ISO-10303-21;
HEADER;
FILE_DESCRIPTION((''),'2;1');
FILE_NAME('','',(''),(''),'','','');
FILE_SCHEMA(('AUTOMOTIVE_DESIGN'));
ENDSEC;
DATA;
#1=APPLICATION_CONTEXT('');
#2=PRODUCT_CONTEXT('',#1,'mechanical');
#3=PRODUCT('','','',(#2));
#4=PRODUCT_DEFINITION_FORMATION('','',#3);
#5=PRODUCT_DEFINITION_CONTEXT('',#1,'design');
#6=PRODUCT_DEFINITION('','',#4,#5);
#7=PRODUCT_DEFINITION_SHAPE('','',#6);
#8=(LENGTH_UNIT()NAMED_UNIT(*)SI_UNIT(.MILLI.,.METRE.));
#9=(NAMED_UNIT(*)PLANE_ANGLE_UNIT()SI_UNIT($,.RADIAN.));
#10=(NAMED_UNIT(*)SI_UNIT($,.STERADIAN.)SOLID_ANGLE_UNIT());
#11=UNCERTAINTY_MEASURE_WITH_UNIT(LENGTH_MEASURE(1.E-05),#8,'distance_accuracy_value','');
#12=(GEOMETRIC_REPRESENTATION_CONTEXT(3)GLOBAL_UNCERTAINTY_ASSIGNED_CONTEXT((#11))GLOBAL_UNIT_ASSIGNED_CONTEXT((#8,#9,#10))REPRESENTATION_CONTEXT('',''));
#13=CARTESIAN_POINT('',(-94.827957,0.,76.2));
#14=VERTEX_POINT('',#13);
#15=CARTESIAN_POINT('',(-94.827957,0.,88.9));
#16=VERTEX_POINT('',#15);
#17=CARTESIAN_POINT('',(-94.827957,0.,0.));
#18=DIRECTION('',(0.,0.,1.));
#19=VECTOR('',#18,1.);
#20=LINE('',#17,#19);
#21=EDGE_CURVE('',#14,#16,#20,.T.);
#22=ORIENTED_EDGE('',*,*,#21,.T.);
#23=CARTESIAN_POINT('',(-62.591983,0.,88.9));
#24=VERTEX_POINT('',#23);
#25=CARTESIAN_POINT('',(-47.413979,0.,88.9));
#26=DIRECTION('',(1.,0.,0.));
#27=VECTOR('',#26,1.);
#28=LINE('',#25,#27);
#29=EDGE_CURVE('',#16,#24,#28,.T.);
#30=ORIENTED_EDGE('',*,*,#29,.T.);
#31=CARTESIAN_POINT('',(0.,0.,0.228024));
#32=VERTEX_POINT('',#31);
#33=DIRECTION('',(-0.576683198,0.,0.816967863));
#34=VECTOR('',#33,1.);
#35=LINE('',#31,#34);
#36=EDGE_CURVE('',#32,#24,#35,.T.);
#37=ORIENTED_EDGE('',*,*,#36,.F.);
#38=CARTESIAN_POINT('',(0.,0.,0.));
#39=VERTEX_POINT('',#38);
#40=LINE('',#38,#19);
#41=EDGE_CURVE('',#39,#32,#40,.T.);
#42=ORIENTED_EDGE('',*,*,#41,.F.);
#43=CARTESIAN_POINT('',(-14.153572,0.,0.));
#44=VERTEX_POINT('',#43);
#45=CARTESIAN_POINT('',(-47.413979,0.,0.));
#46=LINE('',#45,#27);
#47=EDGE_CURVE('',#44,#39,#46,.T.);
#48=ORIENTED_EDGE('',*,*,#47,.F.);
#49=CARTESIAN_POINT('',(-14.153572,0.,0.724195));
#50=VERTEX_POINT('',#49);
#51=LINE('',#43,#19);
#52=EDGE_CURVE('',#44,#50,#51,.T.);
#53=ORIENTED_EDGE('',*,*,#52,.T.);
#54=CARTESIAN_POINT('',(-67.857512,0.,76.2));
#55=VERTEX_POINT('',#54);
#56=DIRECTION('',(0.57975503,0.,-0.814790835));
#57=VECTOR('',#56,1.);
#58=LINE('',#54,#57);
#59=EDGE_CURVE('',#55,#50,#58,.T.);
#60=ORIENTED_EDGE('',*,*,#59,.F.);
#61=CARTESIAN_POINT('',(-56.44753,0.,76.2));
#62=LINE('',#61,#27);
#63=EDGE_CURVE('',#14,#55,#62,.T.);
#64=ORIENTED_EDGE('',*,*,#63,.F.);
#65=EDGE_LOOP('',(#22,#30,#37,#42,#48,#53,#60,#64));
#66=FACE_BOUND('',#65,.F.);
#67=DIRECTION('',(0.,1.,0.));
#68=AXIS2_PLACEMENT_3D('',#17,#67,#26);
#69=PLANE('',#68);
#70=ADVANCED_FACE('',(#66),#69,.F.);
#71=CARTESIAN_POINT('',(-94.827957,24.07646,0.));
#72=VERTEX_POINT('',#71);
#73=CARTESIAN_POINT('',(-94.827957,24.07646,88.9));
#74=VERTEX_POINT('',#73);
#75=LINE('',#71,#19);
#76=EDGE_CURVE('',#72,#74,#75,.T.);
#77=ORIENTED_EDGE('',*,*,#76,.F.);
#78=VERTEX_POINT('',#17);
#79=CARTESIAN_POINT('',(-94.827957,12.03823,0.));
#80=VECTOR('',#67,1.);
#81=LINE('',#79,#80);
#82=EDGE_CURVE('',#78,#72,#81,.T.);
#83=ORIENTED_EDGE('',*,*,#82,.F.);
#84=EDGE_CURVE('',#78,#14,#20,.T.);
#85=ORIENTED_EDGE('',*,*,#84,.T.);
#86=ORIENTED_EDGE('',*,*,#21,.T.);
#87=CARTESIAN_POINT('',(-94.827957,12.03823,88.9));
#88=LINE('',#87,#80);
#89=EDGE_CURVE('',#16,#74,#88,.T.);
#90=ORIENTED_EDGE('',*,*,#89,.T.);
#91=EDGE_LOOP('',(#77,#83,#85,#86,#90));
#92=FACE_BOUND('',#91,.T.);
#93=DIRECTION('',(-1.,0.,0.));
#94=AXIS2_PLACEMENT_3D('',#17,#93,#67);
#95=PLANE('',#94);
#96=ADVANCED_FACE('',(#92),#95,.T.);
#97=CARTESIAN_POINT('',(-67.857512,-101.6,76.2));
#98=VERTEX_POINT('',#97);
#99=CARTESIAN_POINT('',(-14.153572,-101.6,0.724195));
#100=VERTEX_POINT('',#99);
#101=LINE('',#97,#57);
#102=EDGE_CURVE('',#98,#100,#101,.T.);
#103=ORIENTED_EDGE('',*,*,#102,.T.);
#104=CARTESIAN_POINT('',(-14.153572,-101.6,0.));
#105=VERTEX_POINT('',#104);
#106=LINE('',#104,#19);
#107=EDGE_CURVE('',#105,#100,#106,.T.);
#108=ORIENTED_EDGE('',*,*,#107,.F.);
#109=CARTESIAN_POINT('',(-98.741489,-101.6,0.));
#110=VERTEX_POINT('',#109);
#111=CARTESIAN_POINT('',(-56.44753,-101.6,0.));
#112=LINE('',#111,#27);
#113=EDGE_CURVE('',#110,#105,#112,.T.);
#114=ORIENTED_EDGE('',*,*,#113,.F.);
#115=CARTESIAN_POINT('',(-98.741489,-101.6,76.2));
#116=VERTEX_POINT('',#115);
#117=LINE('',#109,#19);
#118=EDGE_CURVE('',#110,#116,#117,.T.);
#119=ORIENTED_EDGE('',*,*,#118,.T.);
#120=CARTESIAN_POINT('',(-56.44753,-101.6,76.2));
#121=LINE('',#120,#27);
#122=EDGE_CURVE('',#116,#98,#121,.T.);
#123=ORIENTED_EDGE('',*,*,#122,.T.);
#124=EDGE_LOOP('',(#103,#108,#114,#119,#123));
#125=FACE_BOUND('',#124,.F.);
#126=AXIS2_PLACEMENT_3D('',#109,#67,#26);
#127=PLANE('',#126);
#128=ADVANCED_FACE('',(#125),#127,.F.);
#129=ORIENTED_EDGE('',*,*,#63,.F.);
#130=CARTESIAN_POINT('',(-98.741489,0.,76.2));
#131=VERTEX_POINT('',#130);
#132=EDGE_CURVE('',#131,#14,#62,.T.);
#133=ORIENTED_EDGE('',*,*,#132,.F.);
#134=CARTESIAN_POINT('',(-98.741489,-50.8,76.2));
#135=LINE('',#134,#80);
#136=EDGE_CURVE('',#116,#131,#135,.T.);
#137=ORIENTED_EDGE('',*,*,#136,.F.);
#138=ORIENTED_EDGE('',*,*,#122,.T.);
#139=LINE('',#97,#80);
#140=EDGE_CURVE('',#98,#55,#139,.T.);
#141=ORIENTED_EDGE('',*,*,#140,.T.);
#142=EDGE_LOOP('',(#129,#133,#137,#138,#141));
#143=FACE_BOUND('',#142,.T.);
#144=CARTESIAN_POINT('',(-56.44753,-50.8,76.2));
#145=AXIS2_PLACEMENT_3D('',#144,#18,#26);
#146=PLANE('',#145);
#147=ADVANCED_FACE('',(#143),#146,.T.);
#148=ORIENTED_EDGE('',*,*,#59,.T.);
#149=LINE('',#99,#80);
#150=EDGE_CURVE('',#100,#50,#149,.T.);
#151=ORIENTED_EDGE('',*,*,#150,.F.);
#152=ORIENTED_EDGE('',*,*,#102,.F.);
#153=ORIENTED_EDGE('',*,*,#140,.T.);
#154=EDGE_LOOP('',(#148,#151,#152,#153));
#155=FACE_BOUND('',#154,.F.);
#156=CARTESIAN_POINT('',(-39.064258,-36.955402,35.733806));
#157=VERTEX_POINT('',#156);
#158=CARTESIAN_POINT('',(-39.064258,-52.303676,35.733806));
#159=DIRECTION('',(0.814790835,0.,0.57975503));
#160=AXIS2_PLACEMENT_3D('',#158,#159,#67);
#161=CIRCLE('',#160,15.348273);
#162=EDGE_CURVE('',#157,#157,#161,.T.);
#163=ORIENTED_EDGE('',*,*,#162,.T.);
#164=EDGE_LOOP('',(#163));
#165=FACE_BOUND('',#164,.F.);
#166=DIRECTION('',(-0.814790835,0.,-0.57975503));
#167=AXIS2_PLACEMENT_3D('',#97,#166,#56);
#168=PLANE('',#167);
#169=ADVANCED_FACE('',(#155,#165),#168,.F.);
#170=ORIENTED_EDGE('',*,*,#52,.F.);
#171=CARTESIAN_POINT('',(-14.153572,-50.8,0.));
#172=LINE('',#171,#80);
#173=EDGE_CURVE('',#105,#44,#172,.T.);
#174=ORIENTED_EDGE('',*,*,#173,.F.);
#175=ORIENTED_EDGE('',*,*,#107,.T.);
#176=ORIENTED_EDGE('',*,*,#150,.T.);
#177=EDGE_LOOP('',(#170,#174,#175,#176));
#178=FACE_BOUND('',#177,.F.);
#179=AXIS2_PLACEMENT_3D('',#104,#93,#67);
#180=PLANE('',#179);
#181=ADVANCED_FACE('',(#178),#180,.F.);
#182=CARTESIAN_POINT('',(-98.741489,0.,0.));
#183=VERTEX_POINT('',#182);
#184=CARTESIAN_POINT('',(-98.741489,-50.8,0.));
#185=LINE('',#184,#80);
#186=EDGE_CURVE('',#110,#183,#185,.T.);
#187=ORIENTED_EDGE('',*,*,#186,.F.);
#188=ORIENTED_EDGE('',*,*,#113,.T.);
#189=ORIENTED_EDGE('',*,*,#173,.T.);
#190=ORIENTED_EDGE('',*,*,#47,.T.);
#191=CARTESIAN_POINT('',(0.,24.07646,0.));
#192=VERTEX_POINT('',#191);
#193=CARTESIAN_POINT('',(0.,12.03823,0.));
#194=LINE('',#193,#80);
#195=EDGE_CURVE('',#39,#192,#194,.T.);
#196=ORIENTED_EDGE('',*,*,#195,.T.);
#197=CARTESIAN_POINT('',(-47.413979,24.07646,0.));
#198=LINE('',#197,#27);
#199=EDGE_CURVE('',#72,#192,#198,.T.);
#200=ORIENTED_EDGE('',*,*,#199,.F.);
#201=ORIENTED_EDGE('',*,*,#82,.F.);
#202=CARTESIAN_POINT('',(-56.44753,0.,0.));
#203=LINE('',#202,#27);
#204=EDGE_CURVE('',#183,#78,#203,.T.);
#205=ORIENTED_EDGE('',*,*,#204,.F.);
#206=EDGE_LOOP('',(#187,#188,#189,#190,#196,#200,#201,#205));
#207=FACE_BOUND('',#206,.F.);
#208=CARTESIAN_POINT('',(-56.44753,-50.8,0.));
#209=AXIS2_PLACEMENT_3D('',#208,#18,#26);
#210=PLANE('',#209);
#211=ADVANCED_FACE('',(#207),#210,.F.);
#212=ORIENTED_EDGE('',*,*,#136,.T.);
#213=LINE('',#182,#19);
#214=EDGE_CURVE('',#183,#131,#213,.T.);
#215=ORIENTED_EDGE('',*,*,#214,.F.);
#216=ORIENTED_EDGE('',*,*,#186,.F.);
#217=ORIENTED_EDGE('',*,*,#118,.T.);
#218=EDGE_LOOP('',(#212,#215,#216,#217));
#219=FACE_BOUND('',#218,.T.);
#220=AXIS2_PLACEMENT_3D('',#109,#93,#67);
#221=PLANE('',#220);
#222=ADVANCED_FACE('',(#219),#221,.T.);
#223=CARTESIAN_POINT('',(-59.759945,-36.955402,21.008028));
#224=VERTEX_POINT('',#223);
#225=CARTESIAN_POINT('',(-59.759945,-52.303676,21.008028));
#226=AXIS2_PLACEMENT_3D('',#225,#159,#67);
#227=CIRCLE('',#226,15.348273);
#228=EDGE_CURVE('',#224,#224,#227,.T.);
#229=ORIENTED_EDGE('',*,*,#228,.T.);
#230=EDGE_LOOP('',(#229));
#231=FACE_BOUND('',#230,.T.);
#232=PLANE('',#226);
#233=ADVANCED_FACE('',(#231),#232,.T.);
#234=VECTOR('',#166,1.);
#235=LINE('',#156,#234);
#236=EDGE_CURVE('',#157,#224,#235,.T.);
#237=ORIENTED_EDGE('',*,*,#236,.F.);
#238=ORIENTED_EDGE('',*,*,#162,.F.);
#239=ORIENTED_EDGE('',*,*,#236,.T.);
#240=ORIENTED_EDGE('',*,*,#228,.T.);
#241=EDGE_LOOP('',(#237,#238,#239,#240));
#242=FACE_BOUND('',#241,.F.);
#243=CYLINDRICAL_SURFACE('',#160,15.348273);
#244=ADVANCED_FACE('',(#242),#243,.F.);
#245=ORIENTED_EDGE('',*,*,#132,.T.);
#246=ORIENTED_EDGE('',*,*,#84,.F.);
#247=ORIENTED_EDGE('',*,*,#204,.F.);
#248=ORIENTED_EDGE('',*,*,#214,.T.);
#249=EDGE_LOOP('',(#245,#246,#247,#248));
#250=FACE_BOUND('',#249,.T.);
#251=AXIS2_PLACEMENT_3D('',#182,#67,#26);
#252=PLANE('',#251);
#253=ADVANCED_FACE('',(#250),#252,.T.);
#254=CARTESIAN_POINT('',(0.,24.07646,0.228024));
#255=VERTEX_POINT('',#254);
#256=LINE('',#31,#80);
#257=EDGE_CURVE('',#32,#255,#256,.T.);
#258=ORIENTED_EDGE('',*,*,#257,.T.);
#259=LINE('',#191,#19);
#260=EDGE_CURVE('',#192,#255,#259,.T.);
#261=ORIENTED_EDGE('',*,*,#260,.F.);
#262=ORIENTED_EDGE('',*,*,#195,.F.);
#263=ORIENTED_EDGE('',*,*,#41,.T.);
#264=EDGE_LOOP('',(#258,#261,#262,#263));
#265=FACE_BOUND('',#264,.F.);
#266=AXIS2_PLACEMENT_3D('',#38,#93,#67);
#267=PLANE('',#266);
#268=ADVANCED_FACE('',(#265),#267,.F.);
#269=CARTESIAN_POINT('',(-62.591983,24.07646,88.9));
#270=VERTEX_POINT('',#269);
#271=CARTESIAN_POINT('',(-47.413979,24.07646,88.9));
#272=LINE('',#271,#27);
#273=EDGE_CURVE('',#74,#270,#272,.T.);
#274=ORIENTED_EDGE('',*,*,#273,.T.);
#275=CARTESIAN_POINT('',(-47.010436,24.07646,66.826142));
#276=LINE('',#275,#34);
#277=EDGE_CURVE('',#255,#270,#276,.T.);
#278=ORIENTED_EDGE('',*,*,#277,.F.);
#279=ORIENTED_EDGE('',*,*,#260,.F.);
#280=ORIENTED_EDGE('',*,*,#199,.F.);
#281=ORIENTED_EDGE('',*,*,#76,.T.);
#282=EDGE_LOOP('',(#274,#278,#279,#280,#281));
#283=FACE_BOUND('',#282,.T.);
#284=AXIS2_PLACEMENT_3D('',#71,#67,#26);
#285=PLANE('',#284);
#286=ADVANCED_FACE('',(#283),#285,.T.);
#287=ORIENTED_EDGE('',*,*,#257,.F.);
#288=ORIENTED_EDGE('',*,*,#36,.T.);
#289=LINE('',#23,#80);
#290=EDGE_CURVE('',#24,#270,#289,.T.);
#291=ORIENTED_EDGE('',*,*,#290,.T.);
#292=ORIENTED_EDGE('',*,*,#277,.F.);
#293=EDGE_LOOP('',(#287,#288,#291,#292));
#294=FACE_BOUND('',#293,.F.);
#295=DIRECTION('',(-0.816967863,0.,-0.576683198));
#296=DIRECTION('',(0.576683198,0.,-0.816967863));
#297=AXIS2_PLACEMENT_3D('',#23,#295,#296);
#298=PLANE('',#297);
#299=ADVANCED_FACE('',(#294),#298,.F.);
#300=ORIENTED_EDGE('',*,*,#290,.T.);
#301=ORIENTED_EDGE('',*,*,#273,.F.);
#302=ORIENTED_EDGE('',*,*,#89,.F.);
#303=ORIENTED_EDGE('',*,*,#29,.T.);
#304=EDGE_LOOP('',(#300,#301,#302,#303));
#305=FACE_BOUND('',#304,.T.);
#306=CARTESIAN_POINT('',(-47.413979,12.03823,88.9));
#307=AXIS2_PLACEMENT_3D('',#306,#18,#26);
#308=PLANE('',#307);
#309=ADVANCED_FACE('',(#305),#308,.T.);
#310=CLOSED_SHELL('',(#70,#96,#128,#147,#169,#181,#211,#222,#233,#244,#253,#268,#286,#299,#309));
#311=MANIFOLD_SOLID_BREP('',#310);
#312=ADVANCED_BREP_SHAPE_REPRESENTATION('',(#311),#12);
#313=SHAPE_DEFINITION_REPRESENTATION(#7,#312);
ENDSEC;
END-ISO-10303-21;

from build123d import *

# Parameters (mm, degrees)
F0_W     = 94.8279574513
F0_H     = 24.0764599293
F1_DEPTH = 88.9
F3_DEPTH = 49.022
F4_W     = 84.5879163432
F4_H     = 101.6
F5_DEPTH = 76.2
F7_DEPTH = 101.6
F8_R     = 15.3482733218
F9_DEPTH = 25.4


with BuildPart() as f1:
    # F0 (on Top) → F1 (new body)
    with BuildSketch(Plane.XY):
        with Locations((-47.4139787257, 12.0382299647)):
            Rectangle(F0_W, F0_H)
    extrude(amount=F1_DEPTH)

    # F2 (on face) → F3 (cut)
    with BuildSketch(Plane.XZ):
        Polygon((0, 88.9), (-62.5919832129, 88.9), (0, 0.2280238973), align=None)
    extrude(amount=-F3_DEPTH, mode=Mode.SUBTRACT)

    # F4 (on Top) → F5 (join)
    with BuildSketch(Plane.XY):
        with Locations((-56.447530406, -50.8)):
            Rectangle(F4_W, F4_H)
    extrude(amount=F5_DEPTH)

    # F6 (on face) → F7 (cut)
    with BuildSketch(Plane.XZ.offset(101.6)):
        Polygon((-14.1535722344, 76.2), (-67.8575116148, 76.2), (-14.1535722344, 0.7241950249), align=None)
    extrude(amount=-F7_DEPTH, mode=Mode.SUBTRACT)

    # F8 (on face) → F9 (cut)
    with BuildSketch(Plane(origin=(-9.054237048, 0, -6.4424380465), x_dir=(0, 1, 0), z_dir=(0.814790835, 0, 0.5797550304))):
        with Locations((-52.3036755621, 51.7632775009)):
            Circle(F8_R)
    extrude(amount=-F9_DEPTH, mode=Mode.SUBTRACT)


solid = f1.part
